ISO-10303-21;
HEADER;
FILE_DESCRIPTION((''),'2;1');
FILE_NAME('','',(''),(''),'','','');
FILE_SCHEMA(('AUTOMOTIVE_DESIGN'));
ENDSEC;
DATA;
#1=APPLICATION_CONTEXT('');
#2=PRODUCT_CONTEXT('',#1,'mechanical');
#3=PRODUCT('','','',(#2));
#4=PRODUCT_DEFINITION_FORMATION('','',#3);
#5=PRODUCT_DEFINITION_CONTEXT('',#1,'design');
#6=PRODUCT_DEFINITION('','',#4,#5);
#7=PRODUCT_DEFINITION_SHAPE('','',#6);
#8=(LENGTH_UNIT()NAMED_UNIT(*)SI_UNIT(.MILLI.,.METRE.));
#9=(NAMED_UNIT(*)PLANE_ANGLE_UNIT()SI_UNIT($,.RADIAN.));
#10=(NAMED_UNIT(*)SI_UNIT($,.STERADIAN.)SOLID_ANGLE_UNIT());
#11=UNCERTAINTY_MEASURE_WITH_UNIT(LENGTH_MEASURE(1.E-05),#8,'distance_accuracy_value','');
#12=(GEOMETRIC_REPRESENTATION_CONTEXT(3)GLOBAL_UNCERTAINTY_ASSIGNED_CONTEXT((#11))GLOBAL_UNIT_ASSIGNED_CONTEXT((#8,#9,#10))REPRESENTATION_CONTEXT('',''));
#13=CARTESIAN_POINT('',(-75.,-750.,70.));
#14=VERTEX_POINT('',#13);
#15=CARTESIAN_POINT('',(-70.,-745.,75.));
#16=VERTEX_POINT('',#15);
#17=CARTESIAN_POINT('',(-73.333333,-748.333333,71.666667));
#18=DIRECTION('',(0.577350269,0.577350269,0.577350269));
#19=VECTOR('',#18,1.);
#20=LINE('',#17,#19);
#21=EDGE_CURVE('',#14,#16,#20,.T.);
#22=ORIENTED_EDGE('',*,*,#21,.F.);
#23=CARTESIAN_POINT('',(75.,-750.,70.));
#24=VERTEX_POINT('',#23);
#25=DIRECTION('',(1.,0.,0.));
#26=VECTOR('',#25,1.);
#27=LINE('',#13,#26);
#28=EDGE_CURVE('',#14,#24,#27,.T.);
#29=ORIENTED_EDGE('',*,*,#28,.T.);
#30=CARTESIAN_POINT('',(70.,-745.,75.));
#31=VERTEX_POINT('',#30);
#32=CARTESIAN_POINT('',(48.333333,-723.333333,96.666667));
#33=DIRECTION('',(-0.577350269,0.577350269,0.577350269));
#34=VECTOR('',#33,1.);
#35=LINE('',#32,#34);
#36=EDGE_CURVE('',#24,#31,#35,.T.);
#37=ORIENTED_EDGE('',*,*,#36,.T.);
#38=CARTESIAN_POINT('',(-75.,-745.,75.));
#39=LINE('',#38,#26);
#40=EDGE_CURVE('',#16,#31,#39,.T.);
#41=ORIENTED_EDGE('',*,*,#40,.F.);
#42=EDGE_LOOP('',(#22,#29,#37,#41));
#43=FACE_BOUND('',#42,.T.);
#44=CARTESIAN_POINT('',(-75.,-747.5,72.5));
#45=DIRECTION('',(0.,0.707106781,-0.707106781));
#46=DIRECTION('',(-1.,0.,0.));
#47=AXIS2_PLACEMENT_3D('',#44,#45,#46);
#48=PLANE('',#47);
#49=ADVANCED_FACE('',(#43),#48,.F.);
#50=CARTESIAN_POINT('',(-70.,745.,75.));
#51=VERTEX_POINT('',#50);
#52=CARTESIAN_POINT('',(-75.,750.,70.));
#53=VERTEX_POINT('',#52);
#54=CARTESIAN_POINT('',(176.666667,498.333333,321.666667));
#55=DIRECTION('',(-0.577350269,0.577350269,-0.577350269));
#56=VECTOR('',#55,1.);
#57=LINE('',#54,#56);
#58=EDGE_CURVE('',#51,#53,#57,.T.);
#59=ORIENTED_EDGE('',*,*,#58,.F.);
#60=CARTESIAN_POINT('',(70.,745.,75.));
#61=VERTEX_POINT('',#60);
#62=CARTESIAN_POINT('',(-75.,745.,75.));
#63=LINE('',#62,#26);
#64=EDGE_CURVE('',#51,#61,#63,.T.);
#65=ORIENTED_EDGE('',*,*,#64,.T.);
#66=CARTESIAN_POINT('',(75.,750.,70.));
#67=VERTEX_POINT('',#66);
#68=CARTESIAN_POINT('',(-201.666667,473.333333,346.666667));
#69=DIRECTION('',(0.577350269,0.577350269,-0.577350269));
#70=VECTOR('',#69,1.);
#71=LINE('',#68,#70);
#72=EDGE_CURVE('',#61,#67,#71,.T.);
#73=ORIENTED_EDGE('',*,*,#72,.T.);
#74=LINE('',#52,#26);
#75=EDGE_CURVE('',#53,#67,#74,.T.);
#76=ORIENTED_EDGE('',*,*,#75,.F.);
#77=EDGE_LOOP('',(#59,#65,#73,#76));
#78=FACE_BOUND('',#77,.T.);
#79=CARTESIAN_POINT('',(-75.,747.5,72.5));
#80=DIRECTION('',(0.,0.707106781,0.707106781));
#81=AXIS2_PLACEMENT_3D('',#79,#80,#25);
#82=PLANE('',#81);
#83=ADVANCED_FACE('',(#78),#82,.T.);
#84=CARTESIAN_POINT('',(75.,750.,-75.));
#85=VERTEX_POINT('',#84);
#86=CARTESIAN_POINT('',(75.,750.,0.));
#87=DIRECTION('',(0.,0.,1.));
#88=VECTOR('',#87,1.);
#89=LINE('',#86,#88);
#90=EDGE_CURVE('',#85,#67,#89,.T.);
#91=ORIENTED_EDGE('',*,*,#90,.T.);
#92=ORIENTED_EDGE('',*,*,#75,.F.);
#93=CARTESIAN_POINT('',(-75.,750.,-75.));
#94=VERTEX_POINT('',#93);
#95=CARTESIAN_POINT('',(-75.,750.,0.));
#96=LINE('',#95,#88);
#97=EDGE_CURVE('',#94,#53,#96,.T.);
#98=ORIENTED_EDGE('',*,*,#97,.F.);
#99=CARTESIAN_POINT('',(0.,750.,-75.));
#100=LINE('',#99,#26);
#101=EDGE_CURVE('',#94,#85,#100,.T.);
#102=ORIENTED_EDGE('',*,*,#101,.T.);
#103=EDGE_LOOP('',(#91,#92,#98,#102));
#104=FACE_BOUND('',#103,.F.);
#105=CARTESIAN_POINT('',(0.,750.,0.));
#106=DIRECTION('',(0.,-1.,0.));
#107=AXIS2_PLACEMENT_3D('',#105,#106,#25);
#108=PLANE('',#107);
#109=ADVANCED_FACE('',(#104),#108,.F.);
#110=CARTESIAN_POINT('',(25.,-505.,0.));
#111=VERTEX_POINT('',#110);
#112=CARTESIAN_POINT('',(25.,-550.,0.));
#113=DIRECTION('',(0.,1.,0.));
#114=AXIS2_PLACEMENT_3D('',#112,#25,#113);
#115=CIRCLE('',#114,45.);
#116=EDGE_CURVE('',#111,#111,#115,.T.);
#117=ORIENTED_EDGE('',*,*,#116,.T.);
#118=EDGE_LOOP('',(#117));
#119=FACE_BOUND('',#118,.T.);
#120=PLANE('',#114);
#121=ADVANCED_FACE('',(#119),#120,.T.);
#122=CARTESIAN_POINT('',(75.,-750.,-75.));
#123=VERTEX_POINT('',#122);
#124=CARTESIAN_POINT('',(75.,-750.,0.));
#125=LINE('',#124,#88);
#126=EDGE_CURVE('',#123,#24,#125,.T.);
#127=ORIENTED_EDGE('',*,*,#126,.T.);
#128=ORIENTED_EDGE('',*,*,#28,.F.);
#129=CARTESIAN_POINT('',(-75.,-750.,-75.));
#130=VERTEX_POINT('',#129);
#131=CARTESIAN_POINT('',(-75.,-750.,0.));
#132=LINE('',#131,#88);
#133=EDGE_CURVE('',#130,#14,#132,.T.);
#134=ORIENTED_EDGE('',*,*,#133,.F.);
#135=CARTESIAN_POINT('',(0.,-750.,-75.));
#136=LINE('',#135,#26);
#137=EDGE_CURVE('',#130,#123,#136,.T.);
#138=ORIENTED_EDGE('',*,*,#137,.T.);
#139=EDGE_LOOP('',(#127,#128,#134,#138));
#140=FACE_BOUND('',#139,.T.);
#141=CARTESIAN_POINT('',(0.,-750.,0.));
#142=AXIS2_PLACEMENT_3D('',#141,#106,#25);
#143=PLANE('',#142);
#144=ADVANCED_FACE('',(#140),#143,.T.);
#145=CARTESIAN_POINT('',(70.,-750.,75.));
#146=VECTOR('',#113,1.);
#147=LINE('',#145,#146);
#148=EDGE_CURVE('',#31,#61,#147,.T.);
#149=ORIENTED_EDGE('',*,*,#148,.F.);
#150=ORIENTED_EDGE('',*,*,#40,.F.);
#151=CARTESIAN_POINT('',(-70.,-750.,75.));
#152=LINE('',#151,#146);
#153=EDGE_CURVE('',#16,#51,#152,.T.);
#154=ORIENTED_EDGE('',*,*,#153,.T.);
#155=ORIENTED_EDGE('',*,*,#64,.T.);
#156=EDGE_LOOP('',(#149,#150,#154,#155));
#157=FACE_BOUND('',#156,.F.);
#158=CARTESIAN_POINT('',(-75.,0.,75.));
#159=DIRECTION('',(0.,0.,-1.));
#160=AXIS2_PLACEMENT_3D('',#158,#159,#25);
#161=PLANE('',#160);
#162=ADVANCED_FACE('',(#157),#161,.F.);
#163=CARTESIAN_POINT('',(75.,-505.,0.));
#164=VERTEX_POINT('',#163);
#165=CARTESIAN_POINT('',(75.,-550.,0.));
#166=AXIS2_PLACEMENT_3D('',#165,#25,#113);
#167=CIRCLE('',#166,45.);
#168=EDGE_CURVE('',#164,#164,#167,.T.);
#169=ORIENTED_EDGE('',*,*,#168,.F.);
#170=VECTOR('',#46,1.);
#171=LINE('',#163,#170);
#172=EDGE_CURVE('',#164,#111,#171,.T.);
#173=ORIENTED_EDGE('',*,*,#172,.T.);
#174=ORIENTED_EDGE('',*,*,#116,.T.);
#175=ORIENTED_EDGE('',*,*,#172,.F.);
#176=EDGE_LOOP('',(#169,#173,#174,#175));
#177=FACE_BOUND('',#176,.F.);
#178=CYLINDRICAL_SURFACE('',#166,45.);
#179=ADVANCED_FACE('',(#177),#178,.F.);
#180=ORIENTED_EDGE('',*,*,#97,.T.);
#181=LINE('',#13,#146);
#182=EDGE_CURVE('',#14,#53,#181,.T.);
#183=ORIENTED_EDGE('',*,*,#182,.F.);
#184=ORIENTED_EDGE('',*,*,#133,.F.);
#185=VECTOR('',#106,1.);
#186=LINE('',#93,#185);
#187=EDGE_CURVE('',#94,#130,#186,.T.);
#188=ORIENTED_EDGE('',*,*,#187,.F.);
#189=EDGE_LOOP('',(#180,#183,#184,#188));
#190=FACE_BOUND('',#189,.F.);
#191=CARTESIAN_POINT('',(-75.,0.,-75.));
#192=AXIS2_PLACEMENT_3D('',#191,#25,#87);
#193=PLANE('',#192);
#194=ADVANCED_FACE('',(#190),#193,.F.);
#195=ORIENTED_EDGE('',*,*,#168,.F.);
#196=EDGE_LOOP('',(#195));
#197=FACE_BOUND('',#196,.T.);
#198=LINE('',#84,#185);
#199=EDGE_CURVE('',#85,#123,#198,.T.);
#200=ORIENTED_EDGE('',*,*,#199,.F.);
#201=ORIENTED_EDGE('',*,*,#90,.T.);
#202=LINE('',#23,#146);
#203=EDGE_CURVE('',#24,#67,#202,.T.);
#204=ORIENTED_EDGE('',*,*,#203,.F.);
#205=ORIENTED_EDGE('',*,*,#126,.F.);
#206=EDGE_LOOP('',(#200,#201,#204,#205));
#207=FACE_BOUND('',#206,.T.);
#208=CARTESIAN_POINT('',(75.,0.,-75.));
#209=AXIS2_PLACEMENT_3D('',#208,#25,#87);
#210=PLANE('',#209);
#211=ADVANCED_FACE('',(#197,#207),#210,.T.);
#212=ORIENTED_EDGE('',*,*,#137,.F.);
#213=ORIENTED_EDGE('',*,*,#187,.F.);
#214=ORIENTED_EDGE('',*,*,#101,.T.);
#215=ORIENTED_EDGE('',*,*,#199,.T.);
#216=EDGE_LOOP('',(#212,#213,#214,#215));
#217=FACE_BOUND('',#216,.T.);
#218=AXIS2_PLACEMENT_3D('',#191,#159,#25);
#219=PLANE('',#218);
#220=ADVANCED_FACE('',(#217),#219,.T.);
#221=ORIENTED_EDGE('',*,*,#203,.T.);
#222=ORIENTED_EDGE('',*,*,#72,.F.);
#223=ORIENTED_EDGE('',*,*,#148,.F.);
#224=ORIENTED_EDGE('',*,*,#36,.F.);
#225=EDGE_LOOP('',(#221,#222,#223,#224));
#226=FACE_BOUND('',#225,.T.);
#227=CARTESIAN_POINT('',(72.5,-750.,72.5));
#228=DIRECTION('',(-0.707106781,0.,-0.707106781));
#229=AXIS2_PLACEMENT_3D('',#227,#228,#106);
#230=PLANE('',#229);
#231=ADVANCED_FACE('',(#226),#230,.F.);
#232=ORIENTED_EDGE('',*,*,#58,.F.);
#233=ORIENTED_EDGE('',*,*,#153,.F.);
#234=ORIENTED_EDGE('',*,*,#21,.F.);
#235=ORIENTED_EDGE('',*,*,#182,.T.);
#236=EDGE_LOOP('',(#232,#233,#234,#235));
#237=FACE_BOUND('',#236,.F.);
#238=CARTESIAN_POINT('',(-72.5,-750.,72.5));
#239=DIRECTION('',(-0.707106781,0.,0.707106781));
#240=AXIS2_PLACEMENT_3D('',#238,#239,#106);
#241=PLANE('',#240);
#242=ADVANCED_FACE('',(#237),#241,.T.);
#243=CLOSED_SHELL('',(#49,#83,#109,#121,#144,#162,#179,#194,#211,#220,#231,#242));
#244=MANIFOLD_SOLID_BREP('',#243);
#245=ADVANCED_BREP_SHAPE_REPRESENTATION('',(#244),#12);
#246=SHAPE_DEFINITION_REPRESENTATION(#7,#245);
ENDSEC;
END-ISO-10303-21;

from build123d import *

# Parameters (mm, degrees)
F0_W     = 150
F0_H     = 150
F1_DEPTH = 750
F2_SIZE  = 5
F3_R     = 45
F4_DEPTH = 50


with BuildPart() as f1:
    # F0 (on Front) → F1 (new body, symmetric)
    with BuildSketch(Plane.XZ):
        Rectangle(F0_W, F0_H)
    extrude(amount=F1_DEPTH, both=True)

    # F2
    f2_edges = [f1.edges().sort_by_distance(p)[0] for p in [
        (0, 750, 75),
        (-75, 0, 75),
        (0, -750, 75),
        (75, 0, 75),
    ]]
    chamfer(f2_edges, length=F2_SIZE)

    # F3 (on face) → F4 (cut)
    with BuildSketch(Plane.YZ.offset(75)):
        with Locations((-550, 0)):
            Circle(F3_R)
    extrude(amount=-F4_DEPTH, mode=Mode.SUBTRACT)


solid = f1.part
